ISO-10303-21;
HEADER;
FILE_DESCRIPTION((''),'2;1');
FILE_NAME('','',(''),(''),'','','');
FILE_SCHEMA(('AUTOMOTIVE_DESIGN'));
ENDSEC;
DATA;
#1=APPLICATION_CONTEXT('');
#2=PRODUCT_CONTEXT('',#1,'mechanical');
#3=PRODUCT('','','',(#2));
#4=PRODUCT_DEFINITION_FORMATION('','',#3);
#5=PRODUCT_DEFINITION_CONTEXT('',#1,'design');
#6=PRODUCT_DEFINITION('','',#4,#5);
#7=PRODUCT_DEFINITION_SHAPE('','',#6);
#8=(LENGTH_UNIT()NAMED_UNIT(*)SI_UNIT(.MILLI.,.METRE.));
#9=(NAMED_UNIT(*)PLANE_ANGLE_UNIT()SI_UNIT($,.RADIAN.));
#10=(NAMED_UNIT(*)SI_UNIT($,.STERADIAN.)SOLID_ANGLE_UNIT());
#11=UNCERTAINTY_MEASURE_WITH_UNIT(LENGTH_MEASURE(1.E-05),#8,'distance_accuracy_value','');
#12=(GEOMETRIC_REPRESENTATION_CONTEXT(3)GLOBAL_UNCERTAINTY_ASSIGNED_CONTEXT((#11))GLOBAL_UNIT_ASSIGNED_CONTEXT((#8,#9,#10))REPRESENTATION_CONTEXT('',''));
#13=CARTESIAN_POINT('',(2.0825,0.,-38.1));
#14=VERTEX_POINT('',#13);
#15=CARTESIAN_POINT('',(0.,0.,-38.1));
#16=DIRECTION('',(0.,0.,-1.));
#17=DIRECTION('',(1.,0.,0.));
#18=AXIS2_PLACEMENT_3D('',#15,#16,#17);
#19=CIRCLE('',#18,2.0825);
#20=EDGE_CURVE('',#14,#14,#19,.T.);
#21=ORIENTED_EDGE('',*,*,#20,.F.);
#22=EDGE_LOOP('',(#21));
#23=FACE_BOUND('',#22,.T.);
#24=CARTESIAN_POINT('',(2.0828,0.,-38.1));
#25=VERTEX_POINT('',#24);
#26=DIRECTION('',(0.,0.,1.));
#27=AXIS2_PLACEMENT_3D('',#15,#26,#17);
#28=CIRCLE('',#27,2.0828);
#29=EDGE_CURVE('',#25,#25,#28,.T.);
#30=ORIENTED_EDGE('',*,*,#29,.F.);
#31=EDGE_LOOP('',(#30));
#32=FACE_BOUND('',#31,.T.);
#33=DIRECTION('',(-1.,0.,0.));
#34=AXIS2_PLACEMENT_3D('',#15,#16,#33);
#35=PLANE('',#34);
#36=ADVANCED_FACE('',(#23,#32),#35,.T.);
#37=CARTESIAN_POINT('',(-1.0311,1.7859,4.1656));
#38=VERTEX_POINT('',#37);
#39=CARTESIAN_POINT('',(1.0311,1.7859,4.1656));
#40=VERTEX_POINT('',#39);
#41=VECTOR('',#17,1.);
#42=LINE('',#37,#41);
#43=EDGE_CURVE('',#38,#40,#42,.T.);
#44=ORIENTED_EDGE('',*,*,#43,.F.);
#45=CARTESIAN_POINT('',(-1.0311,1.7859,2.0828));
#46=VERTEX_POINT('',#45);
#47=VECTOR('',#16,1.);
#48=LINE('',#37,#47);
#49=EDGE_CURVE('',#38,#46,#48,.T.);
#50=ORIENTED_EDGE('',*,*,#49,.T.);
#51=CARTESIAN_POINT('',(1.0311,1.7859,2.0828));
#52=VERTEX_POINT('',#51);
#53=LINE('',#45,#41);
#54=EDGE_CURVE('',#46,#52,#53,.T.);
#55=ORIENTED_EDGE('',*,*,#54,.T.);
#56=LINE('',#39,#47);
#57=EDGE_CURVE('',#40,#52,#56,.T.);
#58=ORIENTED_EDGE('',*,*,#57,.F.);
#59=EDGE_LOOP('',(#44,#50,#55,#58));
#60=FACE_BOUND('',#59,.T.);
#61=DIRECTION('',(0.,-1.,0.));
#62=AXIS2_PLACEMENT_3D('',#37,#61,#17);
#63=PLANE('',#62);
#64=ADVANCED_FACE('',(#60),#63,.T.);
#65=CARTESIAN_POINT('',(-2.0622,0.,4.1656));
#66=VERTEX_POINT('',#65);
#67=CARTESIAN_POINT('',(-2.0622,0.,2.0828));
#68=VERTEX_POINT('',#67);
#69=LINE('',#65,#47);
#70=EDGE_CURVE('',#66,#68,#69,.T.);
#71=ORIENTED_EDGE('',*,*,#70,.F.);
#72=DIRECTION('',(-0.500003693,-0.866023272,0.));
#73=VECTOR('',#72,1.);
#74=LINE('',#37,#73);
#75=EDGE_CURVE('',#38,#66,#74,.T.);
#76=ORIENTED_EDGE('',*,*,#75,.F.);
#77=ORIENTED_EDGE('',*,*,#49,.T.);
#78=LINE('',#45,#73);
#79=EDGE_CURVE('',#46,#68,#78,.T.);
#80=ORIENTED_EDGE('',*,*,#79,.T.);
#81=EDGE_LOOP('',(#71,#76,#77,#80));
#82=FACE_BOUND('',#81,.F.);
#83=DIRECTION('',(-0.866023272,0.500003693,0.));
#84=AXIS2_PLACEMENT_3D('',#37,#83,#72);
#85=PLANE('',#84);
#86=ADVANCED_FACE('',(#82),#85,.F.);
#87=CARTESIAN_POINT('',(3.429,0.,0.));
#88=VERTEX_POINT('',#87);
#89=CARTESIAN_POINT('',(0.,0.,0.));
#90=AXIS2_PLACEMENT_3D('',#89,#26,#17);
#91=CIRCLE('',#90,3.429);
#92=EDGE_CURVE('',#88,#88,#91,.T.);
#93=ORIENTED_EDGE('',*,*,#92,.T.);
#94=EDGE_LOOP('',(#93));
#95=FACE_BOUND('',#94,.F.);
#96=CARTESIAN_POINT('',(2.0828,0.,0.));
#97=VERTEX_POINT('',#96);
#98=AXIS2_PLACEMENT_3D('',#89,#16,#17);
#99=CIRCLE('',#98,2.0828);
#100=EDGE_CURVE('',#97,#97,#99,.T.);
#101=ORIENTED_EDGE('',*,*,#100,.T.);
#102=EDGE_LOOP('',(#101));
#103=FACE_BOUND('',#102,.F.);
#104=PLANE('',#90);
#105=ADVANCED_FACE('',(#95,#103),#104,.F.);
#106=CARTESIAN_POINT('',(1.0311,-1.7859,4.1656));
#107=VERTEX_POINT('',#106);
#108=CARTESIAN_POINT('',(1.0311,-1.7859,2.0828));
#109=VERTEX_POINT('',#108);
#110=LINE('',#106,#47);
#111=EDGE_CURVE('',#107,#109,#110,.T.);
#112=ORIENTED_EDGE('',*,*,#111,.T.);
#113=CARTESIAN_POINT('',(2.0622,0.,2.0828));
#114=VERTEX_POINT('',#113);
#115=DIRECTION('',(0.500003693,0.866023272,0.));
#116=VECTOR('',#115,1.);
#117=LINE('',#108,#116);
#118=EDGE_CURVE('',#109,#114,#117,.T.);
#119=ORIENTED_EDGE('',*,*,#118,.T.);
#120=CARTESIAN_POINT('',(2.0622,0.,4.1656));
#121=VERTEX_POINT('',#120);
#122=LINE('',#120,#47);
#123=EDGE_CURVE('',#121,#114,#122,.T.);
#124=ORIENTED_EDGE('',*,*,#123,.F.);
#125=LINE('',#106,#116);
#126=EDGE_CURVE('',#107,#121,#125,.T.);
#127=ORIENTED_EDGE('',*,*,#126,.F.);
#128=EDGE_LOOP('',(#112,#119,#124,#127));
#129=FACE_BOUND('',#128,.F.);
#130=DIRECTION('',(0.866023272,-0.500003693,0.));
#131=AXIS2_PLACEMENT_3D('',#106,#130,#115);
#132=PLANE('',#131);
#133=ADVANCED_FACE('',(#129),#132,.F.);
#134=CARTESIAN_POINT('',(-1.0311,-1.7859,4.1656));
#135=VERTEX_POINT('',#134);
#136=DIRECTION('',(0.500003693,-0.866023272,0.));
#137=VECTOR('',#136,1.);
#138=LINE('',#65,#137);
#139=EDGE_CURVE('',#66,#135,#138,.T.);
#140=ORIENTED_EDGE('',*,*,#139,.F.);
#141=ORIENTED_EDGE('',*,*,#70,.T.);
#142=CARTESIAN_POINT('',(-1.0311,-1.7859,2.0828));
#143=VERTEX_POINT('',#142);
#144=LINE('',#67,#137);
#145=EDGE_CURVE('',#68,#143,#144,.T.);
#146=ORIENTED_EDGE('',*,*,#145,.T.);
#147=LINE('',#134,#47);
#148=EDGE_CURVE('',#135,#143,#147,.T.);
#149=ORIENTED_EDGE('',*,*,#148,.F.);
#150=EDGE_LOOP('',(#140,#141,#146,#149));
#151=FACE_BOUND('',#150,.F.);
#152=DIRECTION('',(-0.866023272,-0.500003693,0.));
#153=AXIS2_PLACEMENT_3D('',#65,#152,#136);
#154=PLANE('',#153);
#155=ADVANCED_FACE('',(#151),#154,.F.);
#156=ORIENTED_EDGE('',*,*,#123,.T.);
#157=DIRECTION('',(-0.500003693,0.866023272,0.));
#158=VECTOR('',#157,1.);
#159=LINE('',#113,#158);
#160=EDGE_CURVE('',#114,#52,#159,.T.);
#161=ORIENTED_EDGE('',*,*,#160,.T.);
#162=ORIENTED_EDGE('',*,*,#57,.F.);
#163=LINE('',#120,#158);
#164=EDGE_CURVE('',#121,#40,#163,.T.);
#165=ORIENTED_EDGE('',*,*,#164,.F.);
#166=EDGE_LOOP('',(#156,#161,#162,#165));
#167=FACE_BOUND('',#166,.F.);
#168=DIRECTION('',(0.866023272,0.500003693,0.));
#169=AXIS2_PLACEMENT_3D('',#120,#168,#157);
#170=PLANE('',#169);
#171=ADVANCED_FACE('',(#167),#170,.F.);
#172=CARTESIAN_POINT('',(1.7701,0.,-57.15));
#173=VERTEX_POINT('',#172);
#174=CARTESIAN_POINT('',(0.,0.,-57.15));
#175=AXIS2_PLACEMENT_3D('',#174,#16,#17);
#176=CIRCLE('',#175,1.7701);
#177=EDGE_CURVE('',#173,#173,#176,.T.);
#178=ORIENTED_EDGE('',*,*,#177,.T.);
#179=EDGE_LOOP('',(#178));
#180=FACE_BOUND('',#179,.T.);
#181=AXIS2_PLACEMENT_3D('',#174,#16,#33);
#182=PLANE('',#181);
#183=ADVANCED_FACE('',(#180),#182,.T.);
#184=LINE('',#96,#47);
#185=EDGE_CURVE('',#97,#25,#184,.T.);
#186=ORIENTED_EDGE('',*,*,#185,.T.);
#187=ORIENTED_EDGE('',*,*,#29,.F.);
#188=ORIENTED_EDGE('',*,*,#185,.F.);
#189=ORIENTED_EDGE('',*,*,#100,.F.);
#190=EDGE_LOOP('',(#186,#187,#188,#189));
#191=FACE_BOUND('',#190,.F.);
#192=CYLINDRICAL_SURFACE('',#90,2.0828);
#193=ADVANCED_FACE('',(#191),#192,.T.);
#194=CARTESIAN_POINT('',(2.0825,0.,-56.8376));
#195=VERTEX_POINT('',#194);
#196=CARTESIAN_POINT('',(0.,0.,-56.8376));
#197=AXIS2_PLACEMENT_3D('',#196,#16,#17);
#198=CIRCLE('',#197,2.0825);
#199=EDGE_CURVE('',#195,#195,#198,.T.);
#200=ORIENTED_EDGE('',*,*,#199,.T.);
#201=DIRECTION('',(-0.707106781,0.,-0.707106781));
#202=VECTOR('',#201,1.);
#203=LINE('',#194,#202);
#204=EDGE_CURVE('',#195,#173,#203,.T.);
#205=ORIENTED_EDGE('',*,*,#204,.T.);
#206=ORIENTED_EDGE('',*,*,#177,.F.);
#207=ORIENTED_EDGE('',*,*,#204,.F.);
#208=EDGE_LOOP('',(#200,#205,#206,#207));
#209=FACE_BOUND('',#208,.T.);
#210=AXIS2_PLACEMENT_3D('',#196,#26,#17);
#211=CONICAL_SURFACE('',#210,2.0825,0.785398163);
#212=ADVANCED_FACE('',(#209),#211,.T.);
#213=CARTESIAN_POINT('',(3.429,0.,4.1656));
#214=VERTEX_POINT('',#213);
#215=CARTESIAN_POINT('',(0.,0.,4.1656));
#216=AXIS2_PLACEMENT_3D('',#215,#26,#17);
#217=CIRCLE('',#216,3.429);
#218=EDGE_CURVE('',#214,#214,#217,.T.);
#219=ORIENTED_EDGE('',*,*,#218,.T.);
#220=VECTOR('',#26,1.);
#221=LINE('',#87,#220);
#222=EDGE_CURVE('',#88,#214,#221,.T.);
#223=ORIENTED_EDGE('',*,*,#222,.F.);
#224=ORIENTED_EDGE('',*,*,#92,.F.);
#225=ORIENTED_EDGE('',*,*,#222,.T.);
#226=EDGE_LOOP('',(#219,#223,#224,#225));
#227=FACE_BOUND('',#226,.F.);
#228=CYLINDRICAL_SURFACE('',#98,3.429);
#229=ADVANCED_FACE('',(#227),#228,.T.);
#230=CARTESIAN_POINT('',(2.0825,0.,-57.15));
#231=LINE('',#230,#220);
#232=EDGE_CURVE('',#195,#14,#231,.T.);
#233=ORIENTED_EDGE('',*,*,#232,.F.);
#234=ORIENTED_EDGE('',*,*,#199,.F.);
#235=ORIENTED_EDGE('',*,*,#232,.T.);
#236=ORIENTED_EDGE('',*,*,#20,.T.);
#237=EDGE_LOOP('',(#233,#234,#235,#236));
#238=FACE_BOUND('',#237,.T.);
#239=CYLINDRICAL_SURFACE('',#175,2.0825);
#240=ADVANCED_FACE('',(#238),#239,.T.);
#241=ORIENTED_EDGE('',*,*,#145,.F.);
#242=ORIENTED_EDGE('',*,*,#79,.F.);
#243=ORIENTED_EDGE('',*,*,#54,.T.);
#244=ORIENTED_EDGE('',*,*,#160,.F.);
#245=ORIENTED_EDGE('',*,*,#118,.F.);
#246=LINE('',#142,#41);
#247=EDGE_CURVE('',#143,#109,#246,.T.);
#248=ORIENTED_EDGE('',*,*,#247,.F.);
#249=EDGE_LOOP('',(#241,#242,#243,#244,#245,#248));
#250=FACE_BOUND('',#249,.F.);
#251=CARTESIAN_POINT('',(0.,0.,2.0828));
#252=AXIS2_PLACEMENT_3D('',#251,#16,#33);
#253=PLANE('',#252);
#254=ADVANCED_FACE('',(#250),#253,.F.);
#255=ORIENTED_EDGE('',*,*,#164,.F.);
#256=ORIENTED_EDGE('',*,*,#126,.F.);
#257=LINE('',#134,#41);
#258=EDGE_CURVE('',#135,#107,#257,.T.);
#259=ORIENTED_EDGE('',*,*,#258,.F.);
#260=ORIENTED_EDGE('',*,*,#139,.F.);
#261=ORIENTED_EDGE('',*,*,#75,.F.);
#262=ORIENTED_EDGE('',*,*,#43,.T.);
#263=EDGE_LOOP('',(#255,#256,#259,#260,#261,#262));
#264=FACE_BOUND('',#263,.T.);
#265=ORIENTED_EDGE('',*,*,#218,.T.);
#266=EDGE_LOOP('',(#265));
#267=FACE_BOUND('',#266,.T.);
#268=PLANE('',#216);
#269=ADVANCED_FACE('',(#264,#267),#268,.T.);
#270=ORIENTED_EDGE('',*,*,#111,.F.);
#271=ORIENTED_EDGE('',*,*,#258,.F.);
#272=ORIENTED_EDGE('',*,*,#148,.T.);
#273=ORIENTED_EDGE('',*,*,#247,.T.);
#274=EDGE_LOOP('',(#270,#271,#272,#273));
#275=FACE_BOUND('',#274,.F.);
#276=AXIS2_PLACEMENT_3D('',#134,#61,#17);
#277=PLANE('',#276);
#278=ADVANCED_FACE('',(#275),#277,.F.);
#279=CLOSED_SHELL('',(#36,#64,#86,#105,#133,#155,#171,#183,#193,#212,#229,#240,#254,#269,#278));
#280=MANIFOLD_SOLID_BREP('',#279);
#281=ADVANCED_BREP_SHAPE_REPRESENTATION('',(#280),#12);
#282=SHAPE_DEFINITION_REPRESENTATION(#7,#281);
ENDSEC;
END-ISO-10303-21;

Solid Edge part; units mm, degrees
sketch "Sketch1" plane through (0, 0, 0) normal (0, 0, 1) x (1, 0, 0)
  circle A0 centre (0, 0) radius 3.429
  dimension "D1" = 6.858
extrude "Protrusion1" add sketch "Sketch1" along normal blind 4.1656
sketch "Sketch2" plane through (0, 0, 0) normal (0, 0, -1) x (1, 0, 0)
  circle A0 centre (0, 0) radius 2.0828
extrude "Protrusion2" add sketch "Sketch2" along normal blind 57.15
sketch "Sketch3" plane through (0, 0, -57.15) normal (0, 0, -1) x (1, 0, 0)
  circle A0 centre (0, 0) radius 2.0825
extrude "Cutout1" cut sketch "Sketch3" against normal blind 19.05 flip side to cut
chamfer "Chamfer_1" distance 0.3124 angle 45 1 edges at (-2.0825, 0, -57.15)
sketch "Sketch4" plane through (0, 0, 4.1656) normal (0, 0, 1) x (1, 0, 0)
  line L0 (-1.0311, 1.7859) -> (1.0311, 1.7859)
  line L1 (2.0622, 0) -> (1.0311, 1.7859)
  line L2 (1.0311, -1.7859) -> (2.0622, 0)
  line L3 (-1.0311, -1.7859) -> (1.0311, -1.7859)
  line L4 (-2.0622, 0) -> (-1.0311, -1.7859)
  line L5 (-1.0311, 1.7859) -> (-2.0622, 0)
  dimension "D1" = 3.5719
extrude "Cutout2" cut sketch "Sketch4" against normal blind 2.0828
properties part number "154639"
